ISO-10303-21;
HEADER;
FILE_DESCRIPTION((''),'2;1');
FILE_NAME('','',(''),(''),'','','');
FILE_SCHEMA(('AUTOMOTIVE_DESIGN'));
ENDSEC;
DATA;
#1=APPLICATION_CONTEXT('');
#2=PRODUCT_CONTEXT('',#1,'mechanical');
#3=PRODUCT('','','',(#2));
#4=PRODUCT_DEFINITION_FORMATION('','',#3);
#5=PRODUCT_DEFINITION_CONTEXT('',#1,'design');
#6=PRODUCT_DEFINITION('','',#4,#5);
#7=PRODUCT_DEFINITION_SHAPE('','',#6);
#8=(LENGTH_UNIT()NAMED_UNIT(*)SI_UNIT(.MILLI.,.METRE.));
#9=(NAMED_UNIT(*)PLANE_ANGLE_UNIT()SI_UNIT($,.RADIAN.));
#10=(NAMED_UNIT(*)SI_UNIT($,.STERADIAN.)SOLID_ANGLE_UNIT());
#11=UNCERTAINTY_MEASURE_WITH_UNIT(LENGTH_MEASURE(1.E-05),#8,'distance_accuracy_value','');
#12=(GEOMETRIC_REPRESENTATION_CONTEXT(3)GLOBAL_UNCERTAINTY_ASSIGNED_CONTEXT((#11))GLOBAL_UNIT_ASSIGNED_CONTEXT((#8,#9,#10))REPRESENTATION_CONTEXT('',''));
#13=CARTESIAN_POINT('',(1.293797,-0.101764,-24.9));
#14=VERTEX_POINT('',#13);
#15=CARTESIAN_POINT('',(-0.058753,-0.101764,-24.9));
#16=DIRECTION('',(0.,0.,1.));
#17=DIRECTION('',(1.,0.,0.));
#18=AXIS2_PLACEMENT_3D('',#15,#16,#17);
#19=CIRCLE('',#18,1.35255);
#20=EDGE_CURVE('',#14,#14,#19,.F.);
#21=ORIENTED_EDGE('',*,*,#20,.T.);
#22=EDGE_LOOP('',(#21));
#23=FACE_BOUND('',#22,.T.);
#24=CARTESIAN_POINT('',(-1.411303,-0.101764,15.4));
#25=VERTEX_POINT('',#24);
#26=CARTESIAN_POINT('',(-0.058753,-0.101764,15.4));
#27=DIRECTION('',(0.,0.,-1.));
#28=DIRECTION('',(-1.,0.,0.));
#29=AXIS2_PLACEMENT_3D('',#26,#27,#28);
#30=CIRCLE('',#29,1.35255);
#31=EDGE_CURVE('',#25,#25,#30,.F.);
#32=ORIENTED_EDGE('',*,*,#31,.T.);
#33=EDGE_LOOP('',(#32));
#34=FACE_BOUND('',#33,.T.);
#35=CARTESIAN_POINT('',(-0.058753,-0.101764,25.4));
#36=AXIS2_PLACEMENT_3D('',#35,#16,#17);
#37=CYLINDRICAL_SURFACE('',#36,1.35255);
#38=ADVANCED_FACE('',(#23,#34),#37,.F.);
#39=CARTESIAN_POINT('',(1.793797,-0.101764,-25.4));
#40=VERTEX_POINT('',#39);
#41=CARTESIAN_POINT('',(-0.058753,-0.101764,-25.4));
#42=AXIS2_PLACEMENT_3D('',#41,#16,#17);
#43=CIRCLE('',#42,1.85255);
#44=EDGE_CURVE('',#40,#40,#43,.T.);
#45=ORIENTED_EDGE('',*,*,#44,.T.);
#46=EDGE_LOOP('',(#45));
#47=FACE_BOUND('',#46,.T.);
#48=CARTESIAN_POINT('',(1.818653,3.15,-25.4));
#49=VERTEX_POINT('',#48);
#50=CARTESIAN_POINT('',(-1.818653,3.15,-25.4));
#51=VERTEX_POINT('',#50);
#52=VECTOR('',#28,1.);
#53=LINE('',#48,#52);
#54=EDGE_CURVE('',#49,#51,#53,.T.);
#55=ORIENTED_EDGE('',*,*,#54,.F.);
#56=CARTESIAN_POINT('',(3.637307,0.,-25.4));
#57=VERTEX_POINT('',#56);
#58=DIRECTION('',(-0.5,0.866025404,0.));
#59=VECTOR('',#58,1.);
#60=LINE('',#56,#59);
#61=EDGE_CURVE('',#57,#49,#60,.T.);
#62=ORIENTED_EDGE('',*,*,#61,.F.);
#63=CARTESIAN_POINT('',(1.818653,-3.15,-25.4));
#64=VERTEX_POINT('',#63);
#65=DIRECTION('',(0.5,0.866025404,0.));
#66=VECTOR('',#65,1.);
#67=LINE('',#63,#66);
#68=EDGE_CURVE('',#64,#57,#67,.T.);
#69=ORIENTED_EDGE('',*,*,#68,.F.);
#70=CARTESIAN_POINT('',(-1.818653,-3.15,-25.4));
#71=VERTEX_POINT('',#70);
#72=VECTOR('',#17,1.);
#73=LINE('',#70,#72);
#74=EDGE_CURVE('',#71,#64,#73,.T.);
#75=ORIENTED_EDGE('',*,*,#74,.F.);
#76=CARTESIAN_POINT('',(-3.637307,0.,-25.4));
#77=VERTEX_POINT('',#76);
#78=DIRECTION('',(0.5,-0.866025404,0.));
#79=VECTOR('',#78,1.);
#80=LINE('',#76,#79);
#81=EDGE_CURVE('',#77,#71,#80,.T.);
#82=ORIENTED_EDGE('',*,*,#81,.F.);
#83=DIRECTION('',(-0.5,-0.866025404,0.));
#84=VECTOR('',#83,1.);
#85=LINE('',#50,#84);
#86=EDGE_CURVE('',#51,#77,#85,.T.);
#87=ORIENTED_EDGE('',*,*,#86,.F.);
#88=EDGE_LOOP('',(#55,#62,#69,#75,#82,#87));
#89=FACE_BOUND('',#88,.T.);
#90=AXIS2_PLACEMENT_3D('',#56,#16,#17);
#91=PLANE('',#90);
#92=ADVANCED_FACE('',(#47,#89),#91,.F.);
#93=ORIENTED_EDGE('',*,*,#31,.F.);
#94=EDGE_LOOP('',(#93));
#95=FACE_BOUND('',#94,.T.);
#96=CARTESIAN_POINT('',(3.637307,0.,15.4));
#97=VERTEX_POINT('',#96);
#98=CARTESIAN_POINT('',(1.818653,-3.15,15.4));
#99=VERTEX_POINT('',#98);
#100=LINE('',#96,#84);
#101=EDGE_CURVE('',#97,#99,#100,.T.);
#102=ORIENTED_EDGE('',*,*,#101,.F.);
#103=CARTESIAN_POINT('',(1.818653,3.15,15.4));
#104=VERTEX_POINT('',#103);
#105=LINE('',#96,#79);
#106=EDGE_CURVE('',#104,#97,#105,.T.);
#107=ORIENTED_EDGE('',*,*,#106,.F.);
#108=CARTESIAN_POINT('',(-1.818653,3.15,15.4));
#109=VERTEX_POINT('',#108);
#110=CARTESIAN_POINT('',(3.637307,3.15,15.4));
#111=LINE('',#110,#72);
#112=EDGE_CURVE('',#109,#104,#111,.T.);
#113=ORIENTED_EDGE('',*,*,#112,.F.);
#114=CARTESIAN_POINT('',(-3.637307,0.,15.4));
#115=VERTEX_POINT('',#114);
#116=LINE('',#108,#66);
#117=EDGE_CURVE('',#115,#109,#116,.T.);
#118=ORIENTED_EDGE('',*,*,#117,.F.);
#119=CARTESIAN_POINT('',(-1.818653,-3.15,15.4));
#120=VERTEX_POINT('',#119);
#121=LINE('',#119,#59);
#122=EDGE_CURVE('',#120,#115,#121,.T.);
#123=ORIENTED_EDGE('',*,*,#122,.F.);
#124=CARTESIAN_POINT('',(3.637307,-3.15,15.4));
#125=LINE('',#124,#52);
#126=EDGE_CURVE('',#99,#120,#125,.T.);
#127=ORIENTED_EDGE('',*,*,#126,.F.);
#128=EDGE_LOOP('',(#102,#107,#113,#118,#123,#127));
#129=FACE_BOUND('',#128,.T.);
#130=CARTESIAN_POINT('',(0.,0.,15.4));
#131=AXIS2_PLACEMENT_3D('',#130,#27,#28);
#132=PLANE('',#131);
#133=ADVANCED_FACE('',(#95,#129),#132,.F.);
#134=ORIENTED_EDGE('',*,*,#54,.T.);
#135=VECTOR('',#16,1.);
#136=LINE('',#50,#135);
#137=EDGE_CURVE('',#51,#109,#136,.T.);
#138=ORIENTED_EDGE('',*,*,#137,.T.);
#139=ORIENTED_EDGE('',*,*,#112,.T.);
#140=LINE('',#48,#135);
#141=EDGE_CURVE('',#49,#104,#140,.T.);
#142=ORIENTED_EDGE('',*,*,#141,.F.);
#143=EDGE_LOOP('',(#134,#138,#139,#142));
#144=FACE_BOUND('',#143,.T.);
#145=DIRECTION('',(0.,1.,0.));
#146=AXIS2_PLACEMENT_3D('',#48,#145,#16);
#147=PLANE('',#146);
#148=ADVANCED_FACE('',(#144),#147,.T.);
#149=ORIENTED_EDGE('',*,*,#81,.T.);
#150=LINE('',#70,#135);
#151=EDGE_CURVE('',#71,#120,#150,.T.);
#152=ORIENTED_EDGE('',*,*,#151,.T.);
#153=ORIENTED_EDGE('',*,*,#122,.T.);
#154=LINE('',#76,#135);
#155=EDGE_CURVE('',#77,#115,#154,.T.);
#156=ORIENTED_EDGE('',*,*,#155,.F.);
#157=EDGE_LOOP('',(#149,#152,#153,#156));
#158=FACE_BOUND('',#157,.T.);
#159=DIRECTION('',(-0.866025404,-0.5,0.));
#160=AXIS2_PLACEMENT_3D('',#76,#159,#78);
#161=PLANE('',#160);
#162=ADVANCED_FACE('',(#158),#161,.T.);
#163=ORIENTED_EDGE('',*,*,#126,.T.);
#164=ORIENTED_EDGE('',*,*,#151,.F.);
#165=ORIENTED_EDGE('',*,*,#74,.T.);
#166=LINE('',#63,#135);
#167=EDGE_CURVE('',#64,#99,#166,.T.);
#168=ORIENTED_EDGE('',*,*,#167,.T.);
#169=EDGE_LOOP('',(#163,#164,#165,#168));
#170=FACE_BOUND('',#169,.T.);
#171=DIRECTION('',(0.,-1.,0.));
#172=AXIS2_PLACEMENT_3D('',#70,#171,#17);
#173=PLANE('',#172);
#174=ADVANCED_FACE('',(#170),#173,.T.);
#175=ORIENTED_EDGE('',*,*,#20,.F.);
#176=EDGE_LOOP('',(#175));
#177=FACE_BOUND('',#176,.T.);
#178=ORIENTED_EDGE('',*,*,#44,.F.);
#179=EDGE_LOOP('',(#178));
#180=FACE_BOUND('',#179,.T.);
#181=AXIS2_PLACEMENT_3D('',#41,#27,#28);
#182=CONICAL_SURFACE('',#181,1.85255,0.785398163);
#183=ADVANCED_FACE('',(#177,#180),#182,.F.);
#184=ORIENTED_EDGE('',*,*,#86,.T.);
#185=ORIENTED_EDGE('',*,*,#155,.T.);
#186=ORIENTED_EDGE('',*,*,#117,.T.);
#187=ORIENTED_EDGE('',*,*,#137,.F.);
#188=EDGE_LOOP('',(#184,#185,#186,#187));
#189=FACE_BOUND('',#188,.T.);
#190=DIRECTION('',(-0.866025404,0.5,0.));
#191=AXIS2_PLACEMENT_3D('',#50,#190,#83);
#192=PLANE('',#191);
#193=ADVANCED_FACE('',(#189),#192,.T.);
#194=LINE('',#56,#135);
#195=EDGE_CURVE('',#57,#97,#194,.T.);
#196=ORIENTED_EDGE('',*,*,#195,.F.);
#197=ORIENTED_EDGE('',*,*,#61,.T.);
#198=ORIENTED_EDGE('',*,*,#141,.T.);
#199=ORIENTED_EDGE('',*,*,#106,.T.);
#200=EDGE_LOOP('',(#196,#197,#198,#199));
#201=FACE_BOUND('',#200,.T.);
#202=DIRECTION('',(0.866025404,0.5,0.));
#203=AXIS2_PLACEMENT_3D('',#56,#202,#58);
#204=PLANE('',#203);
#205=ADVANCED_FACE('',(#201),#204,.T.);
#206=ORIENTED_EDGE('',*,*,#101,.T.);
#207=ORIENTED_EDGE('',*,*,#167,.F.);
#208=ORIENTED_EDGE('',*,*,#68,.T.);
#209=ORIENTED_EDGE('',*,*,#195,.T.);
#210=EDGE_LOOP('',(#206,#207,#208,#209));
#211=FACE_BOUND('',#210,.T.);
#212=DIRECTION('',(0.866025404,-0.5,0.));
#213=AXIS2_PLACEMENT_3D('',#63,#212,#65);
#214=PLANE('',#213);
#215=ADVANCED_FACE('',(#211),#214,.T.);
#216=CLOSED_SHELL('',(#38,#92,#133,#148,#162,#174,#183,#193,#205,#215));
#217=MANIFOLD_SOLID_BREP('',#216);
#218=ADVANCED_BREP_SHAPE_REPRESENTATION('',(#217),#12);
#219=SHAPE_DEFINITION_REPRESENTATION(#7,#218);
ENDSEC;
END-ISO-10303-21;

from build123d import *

# Parameters (mm, degrees)
BOSS_EXTRUDE1_DEPTH   = 25.4
F_6_32_TAPPED_HOLE8_D = 2.7051
CHAMFER1_SIZE         = 0.5
CHAMFER2_SIZE         = 0.5
CUT_EXTRUDE2_START    = 25.4
CUT_EXTRUDE2_DEPTH    = 10


with BuildPart() as part:
    # Sketch1 → Boss-Extrude1 (new, symmetric)
    with BuildSketch(Plane.XY):
        Polygon((3.637306696, 0), (1.818653348, 3.15), (-1.818653348, 3.15), (-3.637306696, 0), (-1.818653348, -3.15), (1.818653348, -3.15), align=None)
    extrude(amount=BOSS_EXTRUDE1_DEPTH, both=True)

    # #6-32 Tapped Hole8 (through all)
    with Locations(Plane(origin=(-0.058753338, -0.101763766, 25.4), x_dir=(1, 0, 0), z_dir=(0, 0, 1))):
        with Locations((0, 0)):
            Hole(F_6_32_TAPPED_HOLE8_D / 2)

    # Chamfer1
    chamfer1_edges = [part.edges().sort_by_distance(p)[0] for p in [
        (1.293796662, -0.101763766, 25.4),
    ]]
    chamfer(chamfer1_edges, length=CHAMFER1_SIZE)

    # Chamfer2
    chamfer2_edges = [part.edges().sort_by_distance(p)[0] for p in [
        (1.293796662, -0.101763766, -25.4),
    ]]
    chamfer(chamfer2_edges, length=CHAMFER2_SIZE)

    # Sketch1<2> → Cut-Extrude2 (cut)
    with BuildSketch(Plane.XY.offset(CUT_EXTRUDE2_START)):
        Polygon((3.637306696, 0), (1.818653348, 3.15), (-1.818653348, 3.15), (-3.637306696, 0), (-1.818653348, -3.15), (1.818653348, -3.15), align=None)
    extrude(amount=-CUT_EXTRUDE2_DEPTH, mode=Mode.SUBTRACT)


solid = part.part
